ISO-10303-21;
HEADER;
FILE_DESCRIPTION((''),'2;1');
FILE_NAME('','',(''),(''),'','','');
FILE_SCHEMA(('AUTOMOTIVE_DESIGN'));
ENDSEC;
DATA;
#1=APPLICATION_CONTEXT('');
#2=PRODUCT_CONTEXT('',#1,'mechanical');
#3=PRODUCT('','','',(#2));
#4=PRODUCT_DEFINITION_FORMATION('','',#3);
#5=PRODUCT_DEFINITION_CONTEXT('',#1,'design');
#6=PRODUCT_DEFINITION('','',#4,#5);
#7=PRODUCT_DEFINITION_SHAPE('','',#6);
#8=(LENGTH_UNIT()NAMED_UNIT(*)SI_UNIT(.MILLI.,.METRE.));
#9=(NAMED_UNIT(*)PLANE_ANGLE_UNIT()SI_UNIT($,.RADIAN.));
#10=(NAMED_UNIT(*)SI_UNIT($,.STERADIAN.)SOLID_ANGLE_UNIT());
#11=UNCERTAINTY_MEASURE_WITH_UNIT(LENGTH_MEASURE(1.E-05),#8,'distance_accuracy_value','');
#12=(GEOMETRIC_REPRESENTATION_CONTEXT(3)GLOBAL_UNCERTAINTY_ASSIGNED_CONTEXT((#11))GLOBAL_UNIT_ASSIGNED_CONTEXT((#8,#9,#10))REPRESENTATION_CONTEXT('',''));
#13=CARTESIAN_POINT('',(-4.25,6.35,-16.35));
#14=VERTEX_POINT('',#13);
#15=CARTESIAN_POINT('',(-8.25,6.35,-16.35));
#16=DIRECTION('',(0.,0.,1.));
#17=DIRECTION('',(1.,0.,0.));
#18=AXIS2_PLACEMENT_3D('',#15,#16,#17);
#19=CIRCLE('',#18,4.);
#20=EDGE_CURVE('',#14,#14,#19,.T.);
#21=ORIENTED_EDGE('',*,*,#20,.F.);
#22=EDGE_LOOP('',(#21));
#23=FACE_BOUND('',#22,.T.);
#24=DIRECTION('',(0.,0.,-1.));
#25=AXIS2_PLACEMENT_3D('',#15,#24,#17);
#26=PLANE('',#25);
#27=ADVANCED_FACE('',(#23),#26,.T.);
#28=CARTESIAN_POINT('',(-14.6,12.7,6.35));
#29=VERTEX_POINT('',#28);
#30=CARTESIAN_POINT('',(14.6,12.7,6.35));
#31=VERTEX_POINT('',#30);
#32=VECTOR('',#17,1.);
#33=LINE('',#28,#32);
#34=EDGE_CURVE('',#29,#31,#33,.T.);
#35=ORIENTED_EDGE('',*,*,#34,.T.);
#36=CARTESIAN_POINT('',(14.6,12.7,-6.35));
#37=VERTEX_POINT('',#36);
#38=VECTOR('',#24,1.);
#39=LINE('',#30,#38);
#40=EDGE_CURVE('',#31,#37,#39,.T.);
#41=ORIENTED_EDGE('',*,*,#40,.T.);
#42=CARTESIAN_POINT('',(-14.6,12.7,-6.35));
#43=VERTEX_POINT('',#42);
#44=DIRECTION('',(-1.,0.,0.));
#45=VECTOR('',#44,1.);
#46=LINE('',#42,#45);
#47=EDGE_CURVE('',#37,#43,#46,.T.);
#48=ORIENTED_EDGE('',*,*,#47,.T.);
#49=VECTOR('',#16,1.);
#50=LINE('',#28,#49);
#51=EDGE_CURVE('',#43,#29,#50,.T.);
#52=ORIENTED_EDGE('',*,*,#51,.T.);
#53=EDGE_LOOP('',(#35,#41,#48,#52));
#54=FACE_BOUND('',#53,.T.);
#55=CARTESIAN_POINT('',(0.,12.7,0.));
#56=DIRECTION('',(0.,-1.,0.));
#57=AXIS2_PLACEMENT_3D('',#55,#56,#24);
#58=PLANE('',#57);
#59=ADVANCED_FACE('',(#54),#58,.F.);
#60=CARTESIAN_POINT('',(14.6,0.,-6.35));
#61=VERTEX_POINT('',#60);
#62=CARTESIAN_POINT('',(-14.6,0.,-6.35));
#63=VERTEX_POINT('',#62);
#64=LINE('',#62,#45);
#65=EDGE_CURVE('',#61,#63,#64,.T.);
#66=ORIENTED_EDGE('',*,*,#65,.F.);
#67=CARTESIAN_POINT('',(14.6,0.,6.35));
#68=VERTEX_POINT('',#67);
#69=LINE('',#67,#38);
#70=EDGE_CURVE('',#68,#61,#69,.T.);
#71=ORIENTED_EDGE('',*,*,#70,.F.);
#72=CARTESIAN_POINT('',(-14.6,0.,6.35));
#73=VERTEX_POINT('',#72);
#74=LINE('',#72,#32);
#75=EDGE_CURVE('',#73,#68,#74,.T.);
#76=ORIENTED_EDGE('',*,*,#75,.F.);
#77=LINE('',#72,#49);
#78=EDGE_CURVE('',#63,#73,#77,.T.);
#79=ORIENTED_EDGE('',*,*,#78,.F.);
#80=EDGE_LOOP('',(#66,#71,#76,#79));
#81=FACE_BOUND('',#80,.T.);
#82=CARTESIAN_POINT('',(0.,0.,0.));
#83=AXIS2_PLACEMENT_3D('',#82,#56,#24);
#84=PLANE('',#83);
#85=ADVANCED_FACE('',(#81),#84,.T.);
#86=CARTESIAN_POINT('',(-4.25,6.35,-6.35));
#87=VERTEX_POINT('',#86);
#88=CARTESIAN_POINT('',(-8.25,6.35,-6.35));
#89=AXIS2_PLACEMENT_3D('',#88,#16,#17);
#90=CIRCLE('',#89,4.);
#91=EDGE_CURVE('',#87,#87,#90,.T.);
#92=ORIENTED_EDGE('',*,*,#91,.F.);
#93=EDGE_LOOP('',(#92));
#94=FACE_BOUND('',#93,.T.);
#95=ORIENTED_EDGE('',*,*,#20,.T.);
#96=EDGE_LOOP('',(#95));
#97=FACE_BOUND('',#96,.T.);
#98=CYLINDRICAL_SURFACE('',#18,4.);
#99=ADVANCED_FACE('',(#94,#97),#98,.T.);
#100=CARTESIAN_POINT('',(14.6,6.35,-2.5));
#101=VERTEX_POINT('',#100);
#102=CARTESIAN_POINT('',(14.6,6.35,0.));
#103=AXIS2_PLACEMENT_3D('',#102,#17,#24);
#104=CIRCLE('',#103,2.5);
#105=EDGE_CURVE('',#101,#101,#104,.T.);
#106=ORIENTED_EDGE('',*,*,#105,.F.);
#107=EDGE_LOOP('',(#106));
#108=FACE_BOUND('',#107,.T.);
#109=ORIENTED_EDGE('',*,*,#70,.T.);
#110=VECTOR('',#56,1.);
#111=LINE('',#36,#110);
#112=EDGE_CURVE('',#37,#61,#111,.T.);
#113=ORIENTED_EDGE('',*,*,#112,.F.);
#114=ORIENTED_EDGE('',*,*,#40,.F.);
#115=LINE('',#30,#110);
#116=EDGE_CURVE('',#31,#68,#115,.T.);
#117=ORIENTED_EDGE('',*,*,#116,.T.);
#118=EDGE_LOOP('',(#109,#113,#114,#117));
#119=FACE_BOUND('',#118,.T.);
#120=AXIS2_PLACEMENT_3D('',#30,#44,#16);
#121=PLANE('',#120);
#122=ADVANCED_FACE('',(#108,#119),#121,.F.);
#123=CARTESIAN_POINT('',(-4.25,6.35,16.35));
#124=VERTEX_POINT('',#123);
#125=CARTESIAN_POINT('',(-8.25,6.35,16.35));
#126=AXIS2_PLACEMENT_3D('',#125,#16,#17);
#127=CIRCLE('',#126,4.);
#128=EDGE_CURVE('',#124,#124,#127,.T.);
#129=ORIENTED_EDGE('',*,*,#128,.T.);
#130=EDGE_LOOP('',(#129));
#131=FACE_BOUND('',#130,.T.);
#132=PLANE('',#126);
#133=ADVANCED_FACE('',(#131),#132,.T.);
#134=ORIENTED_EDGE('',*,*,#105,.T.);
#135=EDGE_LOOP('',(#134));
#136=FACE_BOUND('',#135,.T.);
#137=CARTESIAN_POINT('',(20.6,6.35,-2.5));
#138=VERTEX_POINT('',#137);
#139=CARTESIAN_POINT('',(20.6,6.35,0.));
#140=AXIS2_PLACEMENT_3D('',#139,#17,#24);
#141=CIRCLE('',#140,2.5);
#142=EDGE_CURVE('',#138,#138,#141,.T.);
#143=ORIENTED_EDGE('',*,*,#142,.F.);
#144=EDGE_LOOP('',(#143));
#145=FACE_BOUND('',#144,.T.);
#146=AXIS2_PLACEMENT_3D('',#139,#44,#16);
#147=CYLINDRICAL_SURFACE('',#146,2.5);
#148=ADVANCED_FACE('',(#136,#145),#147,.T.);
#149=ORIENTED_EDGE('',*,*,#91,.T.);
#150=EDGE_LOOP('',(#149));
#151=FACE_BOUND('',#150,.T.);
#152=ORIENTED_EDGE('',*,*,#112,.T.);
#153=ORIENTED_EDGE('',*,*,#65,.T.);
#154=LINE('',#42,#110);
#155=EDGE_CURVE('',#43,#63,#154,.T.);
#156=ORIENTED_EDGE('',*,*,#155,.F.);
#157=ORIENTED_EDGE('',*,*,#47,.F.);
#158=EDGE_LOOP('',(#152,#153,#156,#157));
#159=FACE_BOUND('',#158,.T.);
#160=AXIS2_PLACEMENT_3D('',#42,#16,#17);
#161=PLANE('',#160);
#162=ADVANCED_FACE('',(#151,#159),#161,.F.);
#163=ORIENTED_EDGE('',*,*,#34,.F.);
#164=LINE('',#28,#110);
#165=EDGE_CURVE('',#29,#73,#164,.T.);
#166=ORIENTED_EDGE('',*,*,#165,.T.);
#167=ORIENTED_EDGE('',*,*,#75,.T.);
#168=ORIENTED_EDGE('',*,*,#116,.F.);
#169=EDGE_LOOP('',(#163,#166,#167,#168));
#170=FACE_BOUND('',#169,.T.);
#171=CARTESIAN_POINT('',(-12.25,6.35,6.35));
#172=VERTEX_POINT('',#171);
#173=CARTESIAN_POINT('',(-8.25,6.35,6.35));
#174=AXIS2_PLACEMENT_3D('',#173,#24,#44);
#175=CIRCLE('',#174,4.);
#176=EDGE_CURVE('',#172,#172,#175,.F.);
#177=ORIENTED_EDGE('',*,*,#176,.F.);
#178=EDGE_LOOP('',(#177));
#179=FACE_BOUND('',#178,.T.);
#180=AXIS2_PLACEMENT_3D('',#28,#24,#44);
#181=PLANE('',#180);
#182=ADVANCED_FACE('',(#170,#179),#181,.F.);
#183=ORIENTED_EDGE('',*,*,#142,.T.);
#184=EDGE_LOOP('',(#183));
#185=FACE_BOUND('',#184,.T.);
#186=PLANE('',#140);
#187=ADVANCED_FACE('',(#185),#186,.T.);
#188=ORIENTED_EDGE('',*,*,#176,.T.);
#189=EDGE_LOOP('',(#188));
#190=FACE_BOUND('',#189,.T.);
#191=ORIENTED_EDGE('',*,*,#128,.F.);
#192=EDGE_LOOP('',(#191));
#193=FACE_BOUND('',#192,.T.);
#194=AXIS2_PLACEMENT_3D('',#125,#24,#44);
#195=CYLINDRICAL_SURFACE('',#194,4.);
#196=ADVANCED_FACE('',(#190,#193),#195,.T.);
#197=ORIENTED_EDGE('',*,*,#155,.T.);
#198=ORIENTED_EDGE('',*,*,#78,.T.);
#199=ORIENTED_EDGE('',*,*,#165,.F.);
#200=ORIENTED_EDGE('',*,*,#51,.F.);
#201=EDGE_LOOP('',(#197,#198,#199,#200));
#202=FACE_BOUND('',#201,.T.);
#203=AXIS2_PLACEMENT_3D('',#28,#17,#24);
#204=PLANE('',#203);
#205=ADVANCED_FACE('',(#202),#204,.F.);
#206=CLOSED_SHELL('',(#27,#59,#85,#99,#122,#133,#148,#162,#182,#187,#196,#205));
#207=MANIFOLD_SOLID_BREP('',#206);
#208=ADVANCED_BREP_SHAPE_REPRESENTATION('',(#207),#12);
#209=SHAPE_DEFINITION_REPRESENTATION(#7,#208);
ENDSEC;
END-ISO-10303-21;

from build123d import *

# Parameters (mm, degrees)
SKETCH1_W           = 29.2
SKETCH1_H           = 12.7
BOSS_EXTRUDE1_DEPTH = 12.7
SKETCH2_R           = 4
BOSS_EXTRUDE2_DEPTH = 10
SKETCH3_R           = 2.5
BOSS_EXTRUDE3_DEPTH = 6


with BuildPart() as part:
    # Sketch1 → Boss-Extrude1 (new body)
    with BuildSketch(Plane(origin=(0, 0, 0), x_dir=(1, 0, 0), z_dir=(0, 1, 0))):
        Rectangle(SKETCH1_W, SKETCH1_H)
    extrude(amount=BOSS_EXTRUDE1_DEPTH)

    # Sketch2 → Boss-Extrude2 (add)
    with BuildSketch(Plane.XY.offset(6.35)):
        with Locations(Location((-8.25, 6.35, 0), (0, 0, 180))):
            Circle(SKETCH2_R)
    boss_extrude2 = extrude(amount=BOSS_EXTRUDE2_DEPTH)

    # Mirror1: Boss-Extrude2 across plane
    add(boss_extrude2.mirror(Plane.XY))

    # Sketch3 → Boss-Extrude3 (add)
    with BuildSketch(Plane(origin=(14.6, 0, 0), x_dir=(0, 0, -1), z_dir=(1, 0, 0))):
        with Locations((0, 6.35)):
            Circle(SKETCH3_R)
    extrude(amount=BOSS_EXTRUDE3_DEPTH)


solid = part.part
